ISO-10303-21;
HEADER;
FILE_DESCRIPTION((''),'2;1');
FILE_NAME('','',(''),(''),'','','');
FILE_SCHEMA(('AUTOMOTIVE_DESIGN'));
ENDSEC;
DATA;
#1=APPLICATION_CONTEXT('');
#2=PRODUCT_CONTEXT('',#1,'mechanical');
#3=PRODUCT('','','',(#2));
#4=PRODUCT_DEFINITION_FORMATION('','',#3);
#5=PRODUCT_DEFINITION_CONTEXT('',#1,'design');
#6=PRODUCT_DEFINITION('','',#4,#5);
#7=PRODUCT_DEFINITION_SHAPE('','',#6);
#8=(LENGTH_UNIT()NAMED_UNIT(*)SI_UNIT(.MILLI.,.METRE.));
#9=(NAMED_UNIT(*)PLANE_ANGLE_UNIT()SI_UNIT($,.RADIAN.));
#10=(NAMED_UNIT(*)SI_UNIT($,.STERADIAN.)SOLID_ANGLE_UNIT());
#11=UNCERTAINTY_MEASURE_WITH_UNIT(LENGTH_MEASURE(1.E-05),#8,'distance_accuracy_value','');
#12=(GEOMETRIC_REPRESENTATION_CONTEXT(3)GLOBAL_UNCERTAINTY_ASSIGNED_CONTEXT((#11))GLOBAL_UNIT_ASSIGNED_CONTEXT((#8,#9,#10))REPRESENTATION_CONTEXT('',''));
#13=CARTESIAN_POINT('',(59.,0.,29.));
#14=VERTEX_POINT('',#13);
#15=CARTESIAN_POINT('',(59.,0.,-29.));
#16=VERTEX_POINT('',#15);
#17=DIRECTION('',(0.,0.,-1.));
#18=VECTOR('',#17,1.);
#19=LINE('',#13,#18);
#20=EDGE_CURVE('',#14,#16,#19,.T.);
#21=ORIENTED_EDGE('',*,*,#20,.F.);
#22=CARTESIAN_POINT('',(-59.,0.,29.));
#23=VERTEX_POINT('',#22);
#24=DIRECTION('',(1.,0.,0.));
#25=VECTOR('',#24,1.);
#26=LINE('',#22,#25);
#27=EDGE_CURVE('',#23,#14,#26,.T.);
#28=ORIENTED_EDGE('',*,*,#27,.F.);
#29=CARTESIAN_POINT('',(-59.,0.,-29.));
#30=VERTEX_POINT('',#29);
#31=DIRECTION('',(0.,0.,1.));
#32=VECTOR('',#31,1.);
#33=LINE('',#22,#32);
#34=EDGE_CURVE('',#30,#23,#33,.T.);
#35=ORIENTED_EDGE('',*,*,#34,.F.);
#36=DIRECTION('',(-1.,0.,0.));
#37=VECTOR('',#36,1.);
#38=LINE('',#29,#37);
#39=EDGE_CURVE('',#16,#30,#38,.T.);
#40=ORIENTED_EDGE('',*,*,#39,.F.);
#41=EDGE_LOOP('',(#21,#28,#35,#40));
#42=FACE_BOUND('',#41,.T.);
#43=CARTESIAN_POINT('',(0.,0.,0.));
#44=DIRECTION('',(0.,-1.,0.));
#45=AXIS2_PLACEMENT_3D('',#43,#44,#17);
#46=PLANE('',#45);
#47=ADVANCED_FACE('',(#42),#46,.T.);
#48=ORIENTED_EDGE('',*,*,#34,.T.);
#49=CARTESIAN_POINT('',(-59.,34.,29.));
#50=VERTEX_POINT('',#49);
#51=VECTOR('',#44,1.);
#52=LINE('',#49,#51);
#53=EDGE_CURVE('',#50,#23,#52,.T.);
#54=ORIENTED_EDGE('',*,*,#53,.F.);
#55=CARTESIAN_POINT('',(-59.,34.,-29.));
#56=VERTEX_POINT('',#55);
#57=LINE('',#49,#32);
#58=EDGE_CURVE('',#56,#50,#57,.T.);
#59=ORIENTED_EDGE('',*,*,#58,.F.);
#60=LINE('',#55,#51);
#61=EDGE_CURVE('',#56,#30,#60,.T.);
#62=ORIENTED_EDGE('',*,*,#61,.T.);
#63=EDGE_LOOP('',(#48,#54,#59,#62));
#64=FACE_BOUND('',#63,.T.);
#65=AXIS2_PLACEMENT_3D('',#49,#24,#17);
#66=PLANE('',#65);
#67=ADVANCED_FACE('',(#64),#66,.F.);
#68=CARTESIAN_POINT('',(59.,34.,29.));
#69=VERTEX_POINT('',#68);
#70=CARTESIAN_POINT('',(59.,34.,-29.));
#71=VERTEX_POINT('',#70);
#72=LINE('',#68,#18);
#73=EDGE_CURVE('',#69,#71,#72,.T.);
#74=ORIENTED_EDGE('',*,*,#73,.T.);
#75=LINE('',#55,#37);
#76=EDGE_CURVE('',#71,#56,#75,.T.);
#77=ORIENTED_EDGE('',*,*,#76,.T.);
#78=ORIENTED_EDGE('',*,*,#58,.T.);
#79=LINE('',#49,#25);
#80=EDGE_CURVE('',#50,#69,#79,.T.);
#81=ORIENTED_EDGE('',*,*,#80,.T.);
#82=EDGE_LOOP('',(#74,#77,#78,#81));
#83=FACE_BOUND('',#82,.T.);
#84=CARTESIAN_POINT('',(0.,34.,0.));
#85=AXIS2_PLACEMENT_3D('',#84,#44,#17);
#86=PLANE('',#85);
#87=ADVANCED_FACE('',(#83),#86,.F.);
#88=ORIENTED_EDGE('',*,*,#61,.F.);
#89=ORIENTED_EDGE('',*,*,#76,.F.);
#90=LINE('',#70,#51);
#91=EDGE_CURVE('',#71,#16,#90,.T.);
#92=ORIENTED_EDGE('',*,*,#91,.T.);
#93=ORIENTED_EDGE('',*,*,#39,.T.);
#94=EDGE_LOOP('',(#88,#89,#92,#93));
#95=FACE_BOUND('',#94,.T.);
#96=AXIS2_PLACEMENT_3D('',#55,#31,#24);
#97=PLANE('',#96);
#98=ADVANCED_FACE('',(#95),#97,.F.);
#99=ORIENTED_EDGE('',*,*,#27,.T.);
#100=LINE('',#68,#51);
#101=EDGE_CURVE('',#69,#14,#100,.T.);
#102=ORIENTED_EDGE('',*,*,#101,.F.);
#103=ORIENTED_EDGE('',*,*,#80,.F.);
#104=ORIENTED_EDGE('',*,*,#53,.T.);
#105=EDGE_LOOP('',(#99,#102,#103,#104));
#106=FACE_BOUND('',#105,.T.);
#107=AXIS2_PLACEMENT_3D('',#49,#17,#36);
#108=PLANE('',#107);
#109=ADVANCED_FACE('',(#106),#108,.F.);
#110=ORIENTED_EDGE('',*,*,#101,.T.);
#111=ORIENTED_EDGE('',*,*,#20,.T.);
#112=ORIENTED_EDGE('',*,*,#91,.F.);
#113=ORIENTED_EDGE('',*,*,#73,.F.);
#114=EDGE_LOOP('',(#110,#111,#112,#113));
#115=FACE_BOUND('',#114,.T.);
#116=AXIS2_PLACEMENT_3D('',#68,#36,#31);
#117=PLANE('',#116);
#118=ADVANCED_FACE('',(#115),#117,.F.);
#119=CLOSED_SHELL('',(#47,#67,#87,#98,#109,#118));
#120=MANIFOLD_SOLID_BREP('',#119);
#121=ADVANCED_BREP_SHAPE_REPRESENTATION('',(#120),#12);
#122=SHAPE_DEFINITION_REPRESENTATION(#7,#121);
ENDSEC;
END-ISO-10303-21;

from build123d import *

# Parameters (mm, degrees)
SKETCH_1_W      = 118
SKETCH_1_H      = 58
EXTRUDE_1_DEPTH = 34


with BuildPart() as part:
    # 草图1 → 凸台-拉伸1 (new body)
    with BuildSketch(Plane(origin=(0, 0, 0), x_dir=(1, 0, 0), z_dir=(0, 1, 0))):
        Rectangle(SKETCH_1_W, SKETCH_1_H)
    extrude(amount=EXTRUDE_1_DEPTH)


solid = part.part
